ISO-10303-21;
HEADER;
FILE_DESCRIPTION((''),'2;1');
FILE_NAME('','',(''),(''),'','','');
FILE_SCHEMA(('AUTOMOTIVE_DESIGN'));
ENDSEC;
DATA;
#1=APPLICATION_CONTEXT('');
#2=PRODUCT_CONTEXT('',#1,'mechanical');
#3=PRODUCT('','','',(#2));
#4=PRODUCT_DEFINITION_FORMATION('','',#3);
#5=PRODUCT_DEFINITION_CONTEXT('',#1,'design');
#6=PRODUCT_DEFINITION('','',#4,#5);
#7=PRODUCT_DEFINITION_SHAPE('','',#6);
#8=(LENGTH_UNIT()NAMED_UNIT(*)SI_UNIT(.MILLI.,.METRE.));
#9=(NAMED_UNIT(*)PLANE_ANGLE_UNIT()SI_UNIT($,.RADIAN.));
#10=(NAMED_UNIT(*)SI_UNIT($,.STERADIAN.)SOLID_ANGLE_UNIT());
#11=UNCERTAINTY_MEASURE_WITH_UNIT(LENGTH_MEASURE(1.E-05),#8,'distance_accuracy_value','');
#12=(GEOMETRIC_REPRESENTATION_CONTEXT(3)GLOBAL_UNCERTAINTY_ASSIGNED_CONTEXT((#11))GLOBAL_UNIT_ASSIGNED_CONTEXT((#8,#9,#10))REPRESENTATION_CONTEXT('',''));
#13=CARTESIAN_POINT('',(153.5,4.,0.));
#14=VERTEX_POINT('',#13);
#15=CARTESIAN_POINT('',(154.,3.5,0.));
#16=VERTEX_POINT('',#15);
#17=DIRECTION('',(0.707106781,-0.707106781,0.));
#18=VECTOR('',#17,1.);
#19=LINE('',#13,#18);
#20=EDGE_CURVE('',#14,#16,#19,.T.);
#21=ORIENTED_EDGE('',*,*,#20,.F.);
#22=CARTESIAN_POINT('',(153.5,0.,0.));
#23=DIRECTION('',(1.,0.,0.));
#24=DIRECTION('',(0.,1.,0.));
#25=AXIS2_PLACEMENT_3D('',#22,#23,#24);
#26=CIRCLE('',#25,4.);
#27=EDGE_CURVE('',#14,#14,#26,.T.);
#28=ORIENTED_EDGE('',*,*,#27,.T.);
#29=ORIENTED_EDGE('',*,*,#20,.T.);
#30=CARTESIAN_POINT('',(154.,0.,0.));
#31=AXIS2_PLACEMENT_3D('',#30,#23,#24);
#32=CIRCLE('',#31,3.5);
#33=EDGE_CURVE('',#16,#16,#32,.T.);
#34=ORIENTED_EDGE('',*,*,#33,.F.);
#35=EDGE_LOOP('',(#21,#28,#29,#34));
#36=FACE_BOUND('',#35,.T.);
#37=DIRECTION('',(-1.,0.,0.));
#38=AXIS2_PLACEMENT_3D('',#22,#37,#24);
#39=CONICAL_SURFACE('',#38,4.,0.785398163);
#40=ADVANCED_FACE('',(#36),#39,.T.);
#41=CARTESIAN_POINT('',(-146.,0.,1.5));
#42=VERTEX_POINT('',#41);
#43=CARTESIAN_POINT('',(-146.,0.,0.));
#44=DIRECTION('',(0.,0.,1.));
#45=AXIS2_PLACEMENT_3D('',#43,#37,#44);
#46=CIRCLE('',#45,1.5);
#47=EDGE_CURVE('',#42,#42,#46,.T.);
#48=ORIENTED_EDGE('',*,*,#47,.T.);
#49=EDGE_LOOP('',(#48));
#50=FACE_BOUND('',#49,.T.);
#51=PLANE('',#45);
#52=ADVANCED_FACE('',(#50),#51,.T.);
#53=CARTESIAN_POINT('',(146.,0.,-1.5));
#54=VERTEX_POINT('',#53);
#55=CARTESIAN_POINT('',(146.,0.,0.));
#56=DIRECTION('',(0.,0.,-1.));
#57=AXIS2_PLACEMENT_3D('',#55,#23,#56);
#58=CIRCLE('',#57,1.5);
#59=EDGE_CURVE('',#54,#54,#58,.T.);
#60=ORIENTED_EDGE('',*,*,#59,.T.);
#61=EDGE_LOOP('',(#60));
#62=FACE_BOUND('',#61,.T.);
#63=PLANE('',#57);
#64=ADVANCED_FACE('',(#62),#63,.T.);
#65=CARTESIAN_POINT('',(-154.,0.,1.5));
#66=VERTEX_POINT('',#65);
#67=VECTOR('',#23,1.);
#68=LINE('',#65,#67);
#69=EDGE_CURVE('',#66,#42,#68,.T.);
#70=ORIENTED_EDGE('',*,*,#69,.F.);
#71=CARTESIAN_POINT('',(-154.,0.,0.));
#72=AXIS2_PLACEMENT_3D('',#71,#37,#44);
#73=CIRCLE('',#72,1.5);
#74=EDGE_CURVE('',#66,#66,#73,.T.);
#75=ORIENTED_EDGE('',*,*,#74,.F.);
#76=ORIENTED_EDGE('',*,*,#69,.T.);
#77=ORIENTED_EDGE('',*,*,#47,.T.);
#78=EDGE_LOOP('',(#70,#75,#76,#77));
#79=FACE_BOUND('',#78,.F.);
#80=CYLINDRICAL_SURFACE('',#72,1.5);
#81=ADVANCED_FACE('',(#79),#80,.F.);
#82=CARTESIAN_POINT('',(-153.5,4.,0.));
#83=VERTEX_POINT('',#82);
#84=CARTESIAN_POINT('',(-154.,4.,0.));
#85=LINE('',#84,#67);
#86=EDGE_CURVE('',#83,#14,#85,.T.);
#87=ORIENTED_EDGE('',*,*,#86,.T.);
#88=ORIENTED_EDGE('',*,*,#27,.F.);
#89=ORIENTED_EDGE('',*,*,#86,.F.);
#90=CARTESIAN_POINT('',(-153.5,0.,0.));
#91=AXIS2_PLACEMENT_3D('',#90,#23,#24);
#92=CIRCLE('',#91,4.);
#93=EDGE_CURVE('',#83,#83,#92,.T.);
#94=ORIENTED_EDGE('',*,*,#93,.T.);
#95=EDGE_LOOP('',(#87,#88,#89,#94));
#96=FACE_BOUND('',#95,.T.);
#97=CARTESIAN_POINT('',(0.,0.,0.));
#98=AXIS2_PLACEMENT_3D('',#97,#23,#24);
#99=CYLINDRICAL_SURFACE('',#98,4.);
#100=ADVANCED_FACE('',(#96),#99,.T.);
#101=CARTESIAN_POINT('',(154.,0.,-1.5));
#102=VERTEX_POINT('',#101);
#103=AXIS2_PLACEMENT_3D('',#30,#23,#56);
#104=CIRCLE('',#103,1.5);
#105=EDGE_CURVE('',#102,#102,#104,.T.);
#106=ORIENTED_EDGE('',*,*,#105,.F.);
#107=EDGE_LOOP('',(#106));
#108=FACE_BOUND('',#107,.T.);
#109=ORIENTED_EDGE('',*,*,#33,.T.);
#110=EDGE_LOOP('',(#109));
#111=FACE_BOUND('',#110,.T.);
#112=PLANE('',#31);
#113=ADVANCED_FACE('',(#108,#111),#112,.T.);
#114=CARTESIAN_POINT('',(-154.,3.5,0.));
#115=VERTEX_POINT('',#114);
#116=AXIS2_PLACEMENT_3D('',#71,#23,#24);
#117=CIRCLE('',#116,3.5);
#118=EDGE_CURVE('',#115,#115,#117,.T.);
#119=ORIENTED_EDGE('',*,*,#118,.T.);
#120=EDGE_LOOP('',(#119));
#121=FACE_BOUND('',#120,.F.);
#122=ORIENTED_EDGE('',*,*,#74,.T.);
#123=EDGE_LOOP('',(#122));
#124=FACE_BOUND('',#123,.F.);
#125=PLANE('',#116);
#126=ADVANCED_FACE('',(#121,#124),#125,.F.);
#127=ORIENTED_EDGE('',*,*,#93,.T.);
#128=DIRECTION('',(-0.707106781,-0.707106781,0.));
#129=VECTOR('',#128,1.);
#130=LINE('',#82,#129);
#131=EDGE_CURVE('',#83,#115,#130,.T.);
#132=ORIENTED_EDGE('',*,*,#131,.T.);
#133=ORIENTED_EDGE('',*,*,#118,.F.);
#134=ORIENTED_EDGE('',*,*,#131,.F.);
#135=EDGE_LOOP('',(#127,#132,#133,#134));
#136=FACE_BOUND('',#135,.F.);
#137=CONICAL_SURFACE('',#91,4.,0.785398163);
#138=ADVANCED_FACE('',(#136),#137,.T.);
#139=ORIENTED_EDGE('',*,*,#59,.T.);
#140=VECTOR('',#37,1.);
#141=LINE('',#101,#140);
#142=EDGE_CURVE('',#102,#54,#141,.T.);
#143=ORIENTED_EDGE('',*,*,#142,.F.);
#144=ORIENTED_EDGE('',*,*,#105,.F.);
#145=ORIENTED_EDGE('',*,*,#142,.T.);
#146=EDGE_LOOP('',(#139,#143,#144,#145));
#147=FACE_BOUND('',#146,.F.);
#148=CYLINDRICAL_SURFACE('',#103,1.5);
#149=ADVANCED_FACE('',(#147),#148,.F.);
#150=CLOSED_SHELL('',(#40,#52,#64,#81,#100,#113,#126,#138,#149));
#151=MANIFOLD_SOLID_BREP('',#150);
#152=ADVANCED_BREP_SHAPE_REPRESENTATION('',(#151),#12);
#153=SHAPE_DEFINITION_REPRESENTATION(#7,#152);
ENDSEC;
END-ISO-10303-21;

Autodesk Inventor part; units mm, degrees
ref_plane "YZ Plane" through (0, 0, 0) normal (1, 0, 0) x (0, 1, 0)
ref_plane "XZ Plane" through (0, 0, 0) normal (0, 1, 0) x (-1, 0, 0)
ref_plane "XY Plane" through (0, 0, 0) normal (0, 0, 1) x (1, 0, 0)
sketch "Эскиз1" plane through (0, 0, 0) normal (1, 0, 0) x (0, 1, 0)
  circle A0 centre (0, 0) radius 4
  circle A1 centre (0, 0) radius 1.5
  dimension "d0" = 8
  dimension "d1" = 3
extrude "Выдавливание1" add sketch "Эскиз1" along normal mid plane 308 contours A0 | A1
sketch "Эскиз2" plane through (154, 0, 0) normal (1, 0, 0) x (0, 0, -1)
  circle A0 centre (0, 0) radius 1.5
  dimension "d4" = 3
extrude "Выдавливание2" cut sketch "Эскиз2" against normal blind 8
sketch "Эскиз3" plane through (-154, 0, 0) normal (-1, 0, 0) x (0, 0, 1)
  circle A0 centre (0, 0) radius 1.5
  dimension "d7" = 3
extrude "Выдавливание3" cut sketch "Эскиз3" against normal blind 8
chamfer "Фаска1" distance 0.5 angle 45 2 edges at (-154, -4, 0) (154, -4, 0)
properties part number "вал 8мм ось x"
